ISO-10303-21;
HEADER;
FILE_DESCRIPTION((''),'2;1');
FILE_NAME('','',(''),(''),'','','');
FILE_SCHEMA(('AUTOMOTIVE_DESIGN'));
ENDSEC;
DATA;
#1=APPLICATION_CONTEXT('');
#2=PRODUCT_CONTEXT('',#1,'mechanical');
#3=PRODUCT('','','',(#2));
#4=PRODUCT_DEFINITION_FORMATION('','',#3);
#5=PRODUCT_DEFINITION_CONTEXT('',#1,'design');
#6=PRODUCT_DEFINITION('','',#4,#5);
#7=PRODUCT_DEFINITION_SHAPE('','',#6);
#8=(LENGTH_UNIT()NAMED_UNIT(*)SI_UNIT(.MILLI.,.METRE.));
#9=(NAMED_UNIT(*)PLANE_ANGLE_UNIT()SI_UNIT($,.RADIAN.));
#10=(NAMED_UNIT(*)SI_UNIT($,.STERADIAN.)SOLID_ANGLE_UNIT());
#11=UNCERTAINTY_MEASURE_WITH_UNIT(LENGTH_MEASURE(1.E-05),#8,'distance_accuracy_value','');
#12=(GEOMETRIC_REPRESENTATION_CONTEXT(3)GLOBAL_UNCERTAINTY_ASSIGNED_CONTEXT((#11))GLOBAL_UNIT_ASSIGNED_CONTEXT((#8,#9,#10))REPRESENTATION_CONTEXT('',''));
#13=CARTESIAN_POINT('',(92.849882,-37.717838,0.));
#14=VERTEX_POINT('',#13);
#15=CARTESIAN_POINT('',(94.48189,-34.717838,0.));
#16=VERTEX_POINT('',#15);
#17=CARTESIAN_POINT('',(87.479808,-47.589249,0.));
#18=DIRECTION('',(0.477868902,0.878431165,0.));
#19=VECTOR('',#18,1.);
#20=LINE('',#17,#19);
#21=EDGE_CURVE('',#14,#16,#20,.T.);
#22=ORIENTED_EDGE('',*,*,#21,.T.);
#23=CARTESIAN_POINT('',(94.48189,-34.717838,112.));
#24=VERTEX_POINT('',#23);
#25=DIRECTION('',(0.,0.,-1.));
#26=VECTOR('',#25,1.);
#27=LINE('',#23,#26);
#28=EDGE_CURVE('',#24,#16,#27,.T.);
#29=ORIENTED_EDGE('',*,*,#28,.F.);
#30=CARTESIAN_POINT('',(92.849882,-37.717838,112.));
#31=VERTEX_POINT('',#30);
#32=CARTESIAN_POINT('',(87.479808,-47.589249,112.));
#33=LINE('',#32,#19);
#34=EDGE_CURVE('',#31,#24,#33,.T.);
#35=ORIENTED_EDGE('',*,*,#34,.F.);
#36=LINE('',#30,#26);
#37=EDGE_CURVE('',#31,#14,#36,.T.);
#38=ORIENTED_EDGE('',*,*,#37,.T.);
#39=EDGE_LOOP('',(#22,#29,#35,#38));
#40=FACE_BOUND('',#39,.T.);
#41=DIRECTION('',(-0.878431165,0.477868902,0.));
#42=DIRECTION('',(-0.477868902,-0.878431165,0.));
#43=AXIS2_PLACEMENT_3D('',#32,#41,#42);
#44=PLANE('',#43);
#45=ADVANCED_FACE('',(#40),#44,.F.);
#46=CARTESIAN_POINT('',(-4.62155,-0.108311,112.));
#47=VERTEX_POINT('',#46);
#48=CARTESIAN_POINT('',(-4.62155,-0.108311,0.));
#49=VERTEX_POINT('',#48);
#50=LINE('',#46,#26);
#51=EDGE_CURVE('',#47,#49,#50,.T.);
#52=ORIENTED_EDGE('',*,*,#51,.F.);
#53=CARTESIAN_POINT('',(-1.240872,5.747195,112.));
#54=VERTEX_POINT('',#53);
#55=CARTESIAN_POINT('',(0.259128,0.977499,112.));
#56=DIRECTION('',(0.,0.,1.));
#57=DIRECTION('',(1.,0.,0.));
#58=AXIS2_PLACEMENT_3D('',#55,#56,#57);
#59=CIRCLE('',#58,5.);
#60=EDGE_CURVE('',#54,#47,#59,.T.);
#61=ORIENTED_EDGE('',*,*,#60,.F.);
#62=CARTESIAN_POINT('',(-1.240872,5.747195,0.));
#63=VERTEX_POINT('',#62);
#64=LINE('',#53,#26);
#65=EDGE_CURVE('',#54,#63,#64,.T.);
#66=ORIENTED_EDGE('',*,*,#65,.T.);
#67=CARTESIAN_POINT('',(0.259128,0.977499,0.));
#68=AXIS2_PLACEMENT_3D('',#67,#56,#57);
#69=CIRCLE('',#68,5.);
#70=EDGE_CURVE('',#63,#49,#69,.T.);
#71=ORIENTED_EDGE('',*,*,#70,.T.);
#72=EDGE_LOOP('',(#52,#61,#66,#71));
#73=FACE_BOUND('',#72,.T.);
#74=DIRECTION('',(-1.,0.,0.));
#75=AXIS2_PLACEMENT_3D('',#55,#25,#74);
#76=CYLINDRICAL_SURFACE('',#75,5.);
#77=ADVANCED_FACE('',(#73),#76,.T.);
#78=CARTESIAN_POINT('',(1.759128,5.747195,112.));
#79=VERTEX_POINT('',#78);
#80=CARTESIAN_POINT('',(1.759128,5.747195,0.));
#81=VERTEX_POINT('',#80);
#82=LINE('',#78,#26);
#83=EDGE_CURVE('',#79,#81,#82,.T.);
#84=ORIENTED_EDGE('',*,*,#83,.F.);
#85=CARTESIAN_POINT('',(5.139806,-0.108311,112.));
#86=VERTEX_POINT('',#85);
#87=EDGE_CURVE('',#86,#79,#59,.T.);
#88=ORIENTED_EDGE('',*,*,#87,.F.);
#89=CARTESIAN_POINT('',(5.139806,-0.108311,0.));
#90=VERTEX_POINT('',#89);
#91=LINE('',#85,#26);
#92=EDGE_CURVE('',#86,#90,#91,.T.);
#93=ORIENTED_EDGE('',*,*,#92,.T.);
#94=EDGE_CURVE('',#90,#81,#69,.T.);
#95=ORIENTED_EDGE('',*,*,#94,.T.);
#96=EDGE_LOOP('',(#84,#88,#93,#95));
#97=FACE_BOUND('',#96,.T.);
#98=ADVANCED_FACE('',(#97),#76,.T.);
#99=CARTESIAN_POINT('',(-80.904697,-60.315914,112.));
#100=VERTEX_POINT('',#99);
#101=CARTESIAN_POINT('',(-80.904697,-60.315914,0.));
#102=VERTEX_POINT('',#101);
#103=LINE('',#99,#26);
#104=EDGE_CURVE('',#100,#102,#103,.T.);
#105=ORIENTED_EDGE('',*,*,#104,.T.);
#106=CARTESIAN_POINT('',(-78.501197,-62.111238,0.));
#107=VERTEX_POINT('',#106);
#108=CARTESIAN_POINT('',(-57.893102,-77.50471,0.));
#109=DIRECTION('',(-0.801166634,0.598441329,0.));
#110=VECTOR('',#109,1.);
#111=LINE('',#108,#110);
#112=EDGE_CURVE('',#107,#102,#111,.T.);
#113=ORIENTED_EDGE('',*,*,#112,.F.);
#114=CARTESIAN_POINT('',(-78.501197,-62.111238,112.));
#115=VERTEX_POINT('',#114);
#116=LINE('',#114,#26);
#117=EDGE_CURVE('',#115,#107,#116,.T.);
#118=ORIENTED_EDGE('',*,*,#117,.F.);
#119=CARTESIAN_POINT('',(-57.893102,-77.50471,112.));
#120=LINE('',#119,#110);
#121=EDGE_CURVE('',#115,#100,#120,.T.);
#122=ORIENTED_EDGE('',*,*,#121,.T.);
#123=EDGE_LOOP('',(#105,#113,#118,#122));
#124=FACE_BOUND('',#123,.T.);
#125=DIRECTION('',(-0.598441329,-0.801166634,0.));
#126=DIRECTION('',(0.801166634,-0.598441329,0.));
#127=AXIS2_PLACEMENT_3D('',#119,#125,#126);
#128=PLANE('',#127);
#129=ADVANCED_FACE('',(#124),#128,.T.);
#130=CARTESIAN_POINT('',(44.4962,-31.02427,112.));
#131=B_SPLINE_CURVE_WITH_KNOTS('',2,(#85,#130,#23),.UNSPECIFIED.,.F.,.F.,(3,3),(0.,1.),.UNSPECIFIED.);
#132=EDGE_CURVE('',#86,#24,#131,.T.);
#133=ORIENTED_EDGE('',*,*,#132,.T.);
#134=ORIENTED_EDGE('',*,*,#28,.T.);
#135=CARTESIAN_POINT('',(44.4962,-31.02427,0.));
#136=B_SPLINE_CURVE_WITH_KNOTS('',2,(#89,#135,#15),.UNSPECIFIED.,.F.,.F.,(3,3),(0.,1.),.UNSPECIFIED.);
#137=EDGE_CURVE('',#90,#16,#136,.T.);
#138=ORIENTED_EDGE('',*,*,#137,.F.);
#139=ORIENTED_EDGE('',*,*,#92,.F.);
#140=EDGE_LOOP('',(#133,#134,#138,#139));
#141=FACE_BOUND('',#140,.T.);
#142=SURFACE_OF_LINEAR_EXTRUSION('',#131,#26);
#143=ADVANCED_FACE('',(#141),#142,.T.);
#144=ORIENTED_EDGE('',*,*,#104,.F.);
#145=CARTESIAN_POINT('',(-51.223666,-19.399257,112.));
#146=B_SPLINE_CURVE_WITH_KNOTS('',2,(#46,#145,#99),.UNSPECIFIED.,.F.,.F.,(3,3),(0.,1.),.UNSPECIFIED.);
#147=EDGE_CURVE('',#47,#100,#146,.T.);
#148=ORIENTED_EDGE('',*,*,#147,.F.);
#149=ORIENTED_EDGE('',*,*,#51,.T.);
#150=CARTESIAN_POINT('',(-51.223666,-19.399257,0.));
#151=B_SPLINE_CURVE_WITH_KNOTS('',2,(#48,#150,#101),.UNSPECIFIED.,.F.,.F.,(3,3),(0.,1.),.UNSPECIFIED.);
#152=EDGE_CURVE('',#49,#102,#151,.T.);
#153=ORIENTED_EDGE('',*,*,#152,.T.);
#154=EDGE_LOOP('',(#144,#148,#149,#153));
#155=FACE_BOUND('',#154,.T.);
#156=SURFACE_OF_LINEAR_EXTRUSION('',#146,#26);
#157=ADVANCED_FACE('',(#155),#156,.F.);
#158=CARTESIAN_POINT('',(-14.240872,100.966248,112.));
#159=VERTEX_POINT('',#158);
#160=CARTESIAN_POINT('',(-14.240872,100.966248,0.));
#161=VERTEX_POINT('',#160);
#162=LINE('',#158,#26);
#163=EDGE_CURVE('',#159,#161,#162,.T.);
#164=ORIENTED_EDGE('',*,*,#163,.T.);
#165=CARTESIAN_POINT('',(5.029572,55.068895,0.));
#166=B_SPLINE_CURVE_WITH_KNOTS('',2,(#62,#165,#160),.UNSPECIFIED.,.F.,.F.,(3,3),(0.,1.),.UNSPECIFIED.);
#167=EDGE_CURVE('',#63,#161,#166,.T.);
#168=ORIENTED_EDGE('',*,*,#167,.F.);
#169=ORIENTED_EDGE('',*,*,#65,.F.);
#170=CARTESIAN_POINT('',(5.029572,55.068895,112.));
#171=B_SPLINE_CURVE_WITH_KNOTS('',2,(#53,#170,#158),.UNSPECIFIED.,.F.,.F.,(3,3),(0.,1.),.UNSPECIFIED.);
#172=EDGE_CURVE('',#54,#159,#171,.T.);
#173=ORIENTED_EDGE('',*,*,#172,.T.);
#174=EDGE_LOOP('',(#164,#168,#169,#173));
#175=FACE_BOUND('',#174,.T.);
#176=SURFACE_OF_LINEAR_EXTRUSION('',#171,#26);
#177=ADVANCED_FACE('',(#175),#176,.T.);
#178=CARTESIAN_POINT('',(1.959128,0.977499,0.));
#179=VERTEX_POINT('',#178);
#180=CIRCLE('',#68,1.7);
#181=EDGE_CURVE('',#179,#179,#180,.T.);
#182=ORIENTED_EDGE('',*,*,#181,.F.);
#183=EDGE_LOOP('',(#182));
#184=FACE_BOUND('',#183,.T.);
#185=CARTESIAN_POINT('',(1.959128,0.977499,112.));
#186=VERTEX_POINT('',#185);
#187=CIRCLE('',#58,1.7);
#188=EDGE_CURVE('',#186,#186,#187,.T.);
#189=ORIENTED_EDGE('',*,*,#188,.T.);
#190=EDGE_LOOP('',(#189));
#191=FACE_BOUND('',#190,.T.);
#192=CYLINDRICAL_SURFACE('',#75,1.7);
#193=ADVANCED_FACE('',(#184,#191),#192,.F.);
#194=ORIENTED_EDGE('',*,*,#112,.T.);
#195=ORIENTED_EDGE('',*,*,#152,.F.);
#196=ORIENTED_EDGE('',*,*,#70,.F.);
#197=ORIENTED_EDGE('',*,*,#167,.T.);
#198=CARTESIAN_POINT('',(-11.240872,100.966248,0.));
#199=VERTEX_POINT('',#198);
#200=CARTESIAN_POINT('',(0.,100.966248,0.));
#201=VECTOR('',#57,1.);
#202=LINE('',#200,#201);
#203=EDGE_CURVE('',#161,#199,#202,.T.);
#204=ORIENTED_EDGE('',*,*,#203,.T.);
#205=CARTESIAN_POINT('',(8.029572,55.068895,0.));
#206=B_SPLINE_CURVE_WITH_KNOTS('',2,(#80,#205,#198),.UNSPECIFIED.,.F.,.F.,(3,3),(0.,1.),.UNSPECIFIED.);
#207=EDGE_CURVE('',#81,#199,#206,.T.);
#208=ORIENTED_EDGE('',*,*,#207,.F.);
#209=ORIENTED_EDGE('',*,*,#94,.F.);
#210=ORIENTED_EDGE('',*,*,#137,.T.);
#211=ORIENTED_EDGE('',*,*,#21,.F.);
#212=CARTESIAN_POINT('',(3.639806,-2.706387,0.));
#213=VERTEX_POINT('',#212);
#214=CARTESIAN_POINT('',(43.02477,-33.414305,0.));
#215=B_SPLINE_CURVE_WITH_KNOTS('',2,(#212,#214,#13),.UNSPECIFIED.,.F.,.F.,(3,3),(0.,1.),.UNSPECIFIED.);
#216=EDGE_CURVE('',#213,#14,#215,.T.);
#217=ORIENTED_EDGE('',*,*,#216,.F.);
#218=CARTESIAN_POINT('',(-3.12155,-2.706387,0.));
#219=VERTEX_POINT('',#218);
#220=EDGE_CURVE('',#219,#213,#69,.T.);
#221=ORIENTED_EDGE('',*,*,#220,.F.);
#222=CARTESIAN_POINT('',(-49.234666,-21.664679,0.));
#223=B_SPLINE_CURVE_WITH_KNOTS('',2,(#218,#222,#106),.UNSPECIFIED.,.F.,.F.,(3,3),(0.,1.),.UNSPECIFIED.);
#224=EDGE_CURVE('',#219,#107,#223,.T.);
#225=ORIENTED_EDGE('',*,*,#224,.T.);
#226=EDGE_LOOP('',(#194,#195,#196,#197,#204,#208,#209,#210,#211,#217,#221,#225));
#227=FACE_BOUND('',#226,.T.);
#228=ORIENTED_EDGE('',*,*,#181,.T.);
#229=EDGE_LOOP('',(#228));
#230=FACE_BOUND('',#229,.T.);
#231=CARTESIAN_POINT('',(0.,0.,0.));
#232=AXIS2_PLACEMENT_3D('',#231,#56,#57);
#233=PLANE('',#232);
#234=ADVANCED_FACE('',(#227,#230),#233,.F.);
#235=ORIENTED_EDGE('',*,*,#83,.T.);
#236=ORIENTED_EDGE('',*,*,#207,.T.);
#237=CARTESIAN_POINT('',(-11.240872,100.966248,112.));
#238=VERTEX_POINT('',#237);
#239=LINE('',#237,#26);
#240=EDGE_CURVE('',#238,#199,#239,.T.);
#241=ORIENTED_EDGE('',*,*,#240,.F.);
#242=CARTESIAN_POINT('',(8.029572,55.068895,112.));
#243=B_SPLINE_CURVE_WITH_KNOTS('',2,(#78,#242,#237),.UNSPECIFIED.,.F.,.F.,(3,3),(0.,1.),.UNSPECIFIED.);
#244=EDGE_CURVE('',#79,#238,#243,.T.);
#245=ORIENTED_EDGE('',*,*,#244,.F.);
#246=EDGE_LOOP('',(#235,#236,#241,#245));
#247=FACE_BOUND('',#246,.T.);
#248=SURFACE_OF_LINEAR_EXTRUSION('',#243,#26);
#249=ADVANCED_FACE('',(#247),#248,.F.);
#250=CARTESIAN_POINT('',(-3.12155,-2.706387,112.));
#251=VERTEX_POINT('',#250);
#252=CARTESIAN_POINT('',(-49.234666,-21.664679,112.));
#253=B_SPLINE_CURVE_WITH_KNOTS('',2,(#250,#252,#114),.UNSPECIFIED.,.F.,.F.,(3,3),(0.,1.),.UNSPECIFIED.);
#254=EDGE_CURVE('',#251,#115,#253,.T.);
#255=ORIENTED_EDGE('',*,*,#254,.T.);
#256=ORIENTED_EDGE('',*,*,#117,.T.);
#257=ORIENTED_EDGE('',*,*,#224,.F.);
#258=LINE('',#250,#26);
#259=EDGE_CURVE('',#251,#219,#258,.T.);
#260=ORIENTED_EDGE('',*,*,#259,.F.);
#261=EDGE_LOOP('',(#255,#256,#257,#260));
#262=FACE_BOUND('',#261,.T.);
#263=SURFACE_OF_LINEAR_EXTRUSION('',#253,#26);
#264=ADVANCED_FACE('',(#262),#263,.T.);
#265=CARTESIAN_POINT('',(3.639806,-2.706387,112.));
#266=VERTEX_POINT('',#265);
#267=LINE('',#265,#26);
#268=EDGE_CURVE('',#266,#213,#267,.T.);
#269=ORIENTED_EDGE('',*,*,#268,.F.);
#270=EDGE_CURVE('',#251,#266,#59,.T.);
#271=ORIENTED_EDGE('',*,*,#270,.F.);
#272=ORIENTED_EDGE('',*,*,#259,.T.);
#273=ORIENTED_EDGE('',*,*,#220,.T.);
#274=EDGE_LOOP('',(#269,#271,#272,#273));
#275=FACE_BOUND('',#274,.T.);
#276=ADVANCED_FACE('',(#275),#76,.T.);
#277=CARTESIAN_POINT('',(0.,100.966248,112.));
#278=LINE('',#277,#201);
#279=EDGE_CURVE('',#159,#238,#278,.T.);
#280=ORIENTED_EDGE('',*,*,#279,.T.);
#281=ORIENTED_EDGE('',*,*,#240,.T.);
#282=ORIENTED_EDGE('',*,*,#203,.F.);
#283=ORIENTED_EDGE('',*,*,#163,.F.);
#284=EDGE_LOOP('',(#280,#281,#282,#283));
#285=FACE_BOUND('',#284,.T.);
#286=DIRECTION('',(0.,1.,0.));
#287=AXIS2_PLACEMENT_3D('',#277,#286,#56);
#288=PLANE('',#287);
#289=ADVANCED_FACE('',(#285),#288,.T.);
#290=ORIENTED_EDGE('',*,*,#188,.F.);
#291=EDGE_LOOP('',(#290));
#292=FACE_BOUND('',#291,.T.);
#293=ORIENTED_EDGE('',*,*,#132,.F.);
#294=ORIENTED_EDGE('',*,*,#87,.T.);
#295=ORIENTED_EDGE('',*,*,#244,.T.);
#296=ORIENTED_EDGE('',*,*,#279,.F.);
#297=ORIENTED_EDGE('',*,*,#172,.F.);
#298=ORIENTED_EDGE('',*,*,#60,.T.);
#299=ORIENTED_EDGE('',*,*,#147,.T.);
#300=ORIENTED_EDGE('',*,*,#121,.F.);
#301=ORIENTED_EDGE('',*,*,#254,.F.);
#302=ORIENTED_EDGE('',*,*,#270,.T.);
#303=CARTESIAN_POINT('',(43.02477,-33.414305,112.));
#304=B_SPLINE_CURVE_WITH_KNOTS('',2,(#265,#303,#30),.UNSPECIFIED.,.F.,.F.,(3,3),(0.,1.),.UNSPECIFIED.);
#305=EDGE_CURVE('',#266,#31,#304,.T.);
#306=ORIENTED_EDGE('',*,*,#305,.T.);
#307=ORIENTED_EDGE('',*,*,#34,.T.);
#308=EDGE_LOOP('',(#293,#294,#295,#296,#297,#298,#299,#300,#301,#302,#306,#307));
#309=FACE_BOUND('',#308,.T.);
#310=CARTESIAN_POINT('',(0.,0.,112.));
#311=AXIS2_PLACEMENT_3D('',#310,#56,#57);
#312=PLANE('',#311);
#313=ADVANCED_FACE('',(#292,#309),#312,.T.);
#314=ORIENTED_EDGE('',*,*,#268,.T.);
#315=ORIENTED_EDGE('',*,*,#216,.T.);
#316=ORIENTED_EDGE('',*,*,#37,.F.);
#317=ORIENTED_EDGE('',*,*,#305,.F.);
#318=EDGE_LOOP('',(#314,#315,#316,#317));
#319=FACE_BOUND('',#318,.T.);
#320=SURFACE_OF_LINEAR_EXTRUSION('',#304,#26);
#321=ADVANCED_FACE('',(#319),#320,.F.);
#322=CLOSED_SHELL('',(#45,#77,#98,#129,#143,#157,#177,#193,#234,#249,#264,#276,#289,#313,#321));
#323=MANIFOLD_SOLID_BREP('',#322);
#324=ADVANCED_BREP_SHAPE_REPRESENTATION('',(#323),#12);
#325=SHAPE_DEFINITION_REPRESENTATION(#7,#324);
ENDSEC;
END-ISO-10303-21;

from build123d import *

# Parameters (mm, degrees)
SKETCH_1_R      = 1.7
EXTRUDE_1_DEPTH = 112


with BuildPart() as part:
    # 草图1 → 凸台-拉伸1 (new body)
    with BuildSketch(Plane.XY):
        with BuildLine():
            Line((-14.240871753, 100.966248357), (-11.240871753, 100.966248357))
            add(Edge.make_bspline(
                [(1.759128247, 5.747194997), (8.029571787, 55.068895095), (-11.240871753, 100.966248357)],
                knots=[0, 0, 0, 1, 1, 1], degree=2))
            ThreePointArc((1.759128247, 5.747194997), (4.589255266, 3.47749899), (5.139806158, -0.108310908))
            add(Edge.make_bspline(
                [(5.139806158, -0.108310908), (44.496199832, -31.024270121), (94.481890105, -34.717837588)],
                knots=[0, 0, 0, 1, 1, 1], degree=2))
            Line((94.481890105, -34.717837588), (92.849882086, -37.717837588))
            add(Edge.make_bspline(
                [(3.639806158, -2.706387119), (43.024769755, -33.414304879), (92.849882086, -37.717837588)],
                knots=[0, 0, 0, 1, 1, 1], degree=2))
            ThreePointArc((3.639806158, -2.706387119), (0.259128247, -4.02250101), (-3.121549663, -2.706387119))
            add(Edge.make_bspline(
                [(-3.121549663, -2.706387119), (-49.234666098, -21.664678742), (-78.501197374, -62.111237788)],
                knots=[0, 0, 0, 1, 1, 1], degree=2))
            Line((-78.501197374, -62.111237788), (-80.904697275, -60.315913799))
            add(Edge.make_bspline(
                [(-4.621549663, -0.108310908), (-51.223666378, -19.399256747), (-80.904697275, -60.315913799)],
                knots=[0, 0, 0, 1, 1, 1], degree=2))
            ThreePointArc((-4.621549663, -0.108310908), (-4.070998772, 3.47749899), (-1.240871753, 5.747194997))
            add(Edge.make_bspline(
                [(-1.240871753, 5.747194997), (5.029571787, 55.068895095), (-14.240871753, 100.966248357)],
                knots=[0, 0, 0, 1, 1, 1], degree=2))
        make_face()
        with Locations((0.259128247, 0.97749899)):
            Circle(SKETCH_1_R, mode=Mode.SUBTRACT)
    extrude(amount=EXTRUDE_1_DEPTH)


solid = part.part
